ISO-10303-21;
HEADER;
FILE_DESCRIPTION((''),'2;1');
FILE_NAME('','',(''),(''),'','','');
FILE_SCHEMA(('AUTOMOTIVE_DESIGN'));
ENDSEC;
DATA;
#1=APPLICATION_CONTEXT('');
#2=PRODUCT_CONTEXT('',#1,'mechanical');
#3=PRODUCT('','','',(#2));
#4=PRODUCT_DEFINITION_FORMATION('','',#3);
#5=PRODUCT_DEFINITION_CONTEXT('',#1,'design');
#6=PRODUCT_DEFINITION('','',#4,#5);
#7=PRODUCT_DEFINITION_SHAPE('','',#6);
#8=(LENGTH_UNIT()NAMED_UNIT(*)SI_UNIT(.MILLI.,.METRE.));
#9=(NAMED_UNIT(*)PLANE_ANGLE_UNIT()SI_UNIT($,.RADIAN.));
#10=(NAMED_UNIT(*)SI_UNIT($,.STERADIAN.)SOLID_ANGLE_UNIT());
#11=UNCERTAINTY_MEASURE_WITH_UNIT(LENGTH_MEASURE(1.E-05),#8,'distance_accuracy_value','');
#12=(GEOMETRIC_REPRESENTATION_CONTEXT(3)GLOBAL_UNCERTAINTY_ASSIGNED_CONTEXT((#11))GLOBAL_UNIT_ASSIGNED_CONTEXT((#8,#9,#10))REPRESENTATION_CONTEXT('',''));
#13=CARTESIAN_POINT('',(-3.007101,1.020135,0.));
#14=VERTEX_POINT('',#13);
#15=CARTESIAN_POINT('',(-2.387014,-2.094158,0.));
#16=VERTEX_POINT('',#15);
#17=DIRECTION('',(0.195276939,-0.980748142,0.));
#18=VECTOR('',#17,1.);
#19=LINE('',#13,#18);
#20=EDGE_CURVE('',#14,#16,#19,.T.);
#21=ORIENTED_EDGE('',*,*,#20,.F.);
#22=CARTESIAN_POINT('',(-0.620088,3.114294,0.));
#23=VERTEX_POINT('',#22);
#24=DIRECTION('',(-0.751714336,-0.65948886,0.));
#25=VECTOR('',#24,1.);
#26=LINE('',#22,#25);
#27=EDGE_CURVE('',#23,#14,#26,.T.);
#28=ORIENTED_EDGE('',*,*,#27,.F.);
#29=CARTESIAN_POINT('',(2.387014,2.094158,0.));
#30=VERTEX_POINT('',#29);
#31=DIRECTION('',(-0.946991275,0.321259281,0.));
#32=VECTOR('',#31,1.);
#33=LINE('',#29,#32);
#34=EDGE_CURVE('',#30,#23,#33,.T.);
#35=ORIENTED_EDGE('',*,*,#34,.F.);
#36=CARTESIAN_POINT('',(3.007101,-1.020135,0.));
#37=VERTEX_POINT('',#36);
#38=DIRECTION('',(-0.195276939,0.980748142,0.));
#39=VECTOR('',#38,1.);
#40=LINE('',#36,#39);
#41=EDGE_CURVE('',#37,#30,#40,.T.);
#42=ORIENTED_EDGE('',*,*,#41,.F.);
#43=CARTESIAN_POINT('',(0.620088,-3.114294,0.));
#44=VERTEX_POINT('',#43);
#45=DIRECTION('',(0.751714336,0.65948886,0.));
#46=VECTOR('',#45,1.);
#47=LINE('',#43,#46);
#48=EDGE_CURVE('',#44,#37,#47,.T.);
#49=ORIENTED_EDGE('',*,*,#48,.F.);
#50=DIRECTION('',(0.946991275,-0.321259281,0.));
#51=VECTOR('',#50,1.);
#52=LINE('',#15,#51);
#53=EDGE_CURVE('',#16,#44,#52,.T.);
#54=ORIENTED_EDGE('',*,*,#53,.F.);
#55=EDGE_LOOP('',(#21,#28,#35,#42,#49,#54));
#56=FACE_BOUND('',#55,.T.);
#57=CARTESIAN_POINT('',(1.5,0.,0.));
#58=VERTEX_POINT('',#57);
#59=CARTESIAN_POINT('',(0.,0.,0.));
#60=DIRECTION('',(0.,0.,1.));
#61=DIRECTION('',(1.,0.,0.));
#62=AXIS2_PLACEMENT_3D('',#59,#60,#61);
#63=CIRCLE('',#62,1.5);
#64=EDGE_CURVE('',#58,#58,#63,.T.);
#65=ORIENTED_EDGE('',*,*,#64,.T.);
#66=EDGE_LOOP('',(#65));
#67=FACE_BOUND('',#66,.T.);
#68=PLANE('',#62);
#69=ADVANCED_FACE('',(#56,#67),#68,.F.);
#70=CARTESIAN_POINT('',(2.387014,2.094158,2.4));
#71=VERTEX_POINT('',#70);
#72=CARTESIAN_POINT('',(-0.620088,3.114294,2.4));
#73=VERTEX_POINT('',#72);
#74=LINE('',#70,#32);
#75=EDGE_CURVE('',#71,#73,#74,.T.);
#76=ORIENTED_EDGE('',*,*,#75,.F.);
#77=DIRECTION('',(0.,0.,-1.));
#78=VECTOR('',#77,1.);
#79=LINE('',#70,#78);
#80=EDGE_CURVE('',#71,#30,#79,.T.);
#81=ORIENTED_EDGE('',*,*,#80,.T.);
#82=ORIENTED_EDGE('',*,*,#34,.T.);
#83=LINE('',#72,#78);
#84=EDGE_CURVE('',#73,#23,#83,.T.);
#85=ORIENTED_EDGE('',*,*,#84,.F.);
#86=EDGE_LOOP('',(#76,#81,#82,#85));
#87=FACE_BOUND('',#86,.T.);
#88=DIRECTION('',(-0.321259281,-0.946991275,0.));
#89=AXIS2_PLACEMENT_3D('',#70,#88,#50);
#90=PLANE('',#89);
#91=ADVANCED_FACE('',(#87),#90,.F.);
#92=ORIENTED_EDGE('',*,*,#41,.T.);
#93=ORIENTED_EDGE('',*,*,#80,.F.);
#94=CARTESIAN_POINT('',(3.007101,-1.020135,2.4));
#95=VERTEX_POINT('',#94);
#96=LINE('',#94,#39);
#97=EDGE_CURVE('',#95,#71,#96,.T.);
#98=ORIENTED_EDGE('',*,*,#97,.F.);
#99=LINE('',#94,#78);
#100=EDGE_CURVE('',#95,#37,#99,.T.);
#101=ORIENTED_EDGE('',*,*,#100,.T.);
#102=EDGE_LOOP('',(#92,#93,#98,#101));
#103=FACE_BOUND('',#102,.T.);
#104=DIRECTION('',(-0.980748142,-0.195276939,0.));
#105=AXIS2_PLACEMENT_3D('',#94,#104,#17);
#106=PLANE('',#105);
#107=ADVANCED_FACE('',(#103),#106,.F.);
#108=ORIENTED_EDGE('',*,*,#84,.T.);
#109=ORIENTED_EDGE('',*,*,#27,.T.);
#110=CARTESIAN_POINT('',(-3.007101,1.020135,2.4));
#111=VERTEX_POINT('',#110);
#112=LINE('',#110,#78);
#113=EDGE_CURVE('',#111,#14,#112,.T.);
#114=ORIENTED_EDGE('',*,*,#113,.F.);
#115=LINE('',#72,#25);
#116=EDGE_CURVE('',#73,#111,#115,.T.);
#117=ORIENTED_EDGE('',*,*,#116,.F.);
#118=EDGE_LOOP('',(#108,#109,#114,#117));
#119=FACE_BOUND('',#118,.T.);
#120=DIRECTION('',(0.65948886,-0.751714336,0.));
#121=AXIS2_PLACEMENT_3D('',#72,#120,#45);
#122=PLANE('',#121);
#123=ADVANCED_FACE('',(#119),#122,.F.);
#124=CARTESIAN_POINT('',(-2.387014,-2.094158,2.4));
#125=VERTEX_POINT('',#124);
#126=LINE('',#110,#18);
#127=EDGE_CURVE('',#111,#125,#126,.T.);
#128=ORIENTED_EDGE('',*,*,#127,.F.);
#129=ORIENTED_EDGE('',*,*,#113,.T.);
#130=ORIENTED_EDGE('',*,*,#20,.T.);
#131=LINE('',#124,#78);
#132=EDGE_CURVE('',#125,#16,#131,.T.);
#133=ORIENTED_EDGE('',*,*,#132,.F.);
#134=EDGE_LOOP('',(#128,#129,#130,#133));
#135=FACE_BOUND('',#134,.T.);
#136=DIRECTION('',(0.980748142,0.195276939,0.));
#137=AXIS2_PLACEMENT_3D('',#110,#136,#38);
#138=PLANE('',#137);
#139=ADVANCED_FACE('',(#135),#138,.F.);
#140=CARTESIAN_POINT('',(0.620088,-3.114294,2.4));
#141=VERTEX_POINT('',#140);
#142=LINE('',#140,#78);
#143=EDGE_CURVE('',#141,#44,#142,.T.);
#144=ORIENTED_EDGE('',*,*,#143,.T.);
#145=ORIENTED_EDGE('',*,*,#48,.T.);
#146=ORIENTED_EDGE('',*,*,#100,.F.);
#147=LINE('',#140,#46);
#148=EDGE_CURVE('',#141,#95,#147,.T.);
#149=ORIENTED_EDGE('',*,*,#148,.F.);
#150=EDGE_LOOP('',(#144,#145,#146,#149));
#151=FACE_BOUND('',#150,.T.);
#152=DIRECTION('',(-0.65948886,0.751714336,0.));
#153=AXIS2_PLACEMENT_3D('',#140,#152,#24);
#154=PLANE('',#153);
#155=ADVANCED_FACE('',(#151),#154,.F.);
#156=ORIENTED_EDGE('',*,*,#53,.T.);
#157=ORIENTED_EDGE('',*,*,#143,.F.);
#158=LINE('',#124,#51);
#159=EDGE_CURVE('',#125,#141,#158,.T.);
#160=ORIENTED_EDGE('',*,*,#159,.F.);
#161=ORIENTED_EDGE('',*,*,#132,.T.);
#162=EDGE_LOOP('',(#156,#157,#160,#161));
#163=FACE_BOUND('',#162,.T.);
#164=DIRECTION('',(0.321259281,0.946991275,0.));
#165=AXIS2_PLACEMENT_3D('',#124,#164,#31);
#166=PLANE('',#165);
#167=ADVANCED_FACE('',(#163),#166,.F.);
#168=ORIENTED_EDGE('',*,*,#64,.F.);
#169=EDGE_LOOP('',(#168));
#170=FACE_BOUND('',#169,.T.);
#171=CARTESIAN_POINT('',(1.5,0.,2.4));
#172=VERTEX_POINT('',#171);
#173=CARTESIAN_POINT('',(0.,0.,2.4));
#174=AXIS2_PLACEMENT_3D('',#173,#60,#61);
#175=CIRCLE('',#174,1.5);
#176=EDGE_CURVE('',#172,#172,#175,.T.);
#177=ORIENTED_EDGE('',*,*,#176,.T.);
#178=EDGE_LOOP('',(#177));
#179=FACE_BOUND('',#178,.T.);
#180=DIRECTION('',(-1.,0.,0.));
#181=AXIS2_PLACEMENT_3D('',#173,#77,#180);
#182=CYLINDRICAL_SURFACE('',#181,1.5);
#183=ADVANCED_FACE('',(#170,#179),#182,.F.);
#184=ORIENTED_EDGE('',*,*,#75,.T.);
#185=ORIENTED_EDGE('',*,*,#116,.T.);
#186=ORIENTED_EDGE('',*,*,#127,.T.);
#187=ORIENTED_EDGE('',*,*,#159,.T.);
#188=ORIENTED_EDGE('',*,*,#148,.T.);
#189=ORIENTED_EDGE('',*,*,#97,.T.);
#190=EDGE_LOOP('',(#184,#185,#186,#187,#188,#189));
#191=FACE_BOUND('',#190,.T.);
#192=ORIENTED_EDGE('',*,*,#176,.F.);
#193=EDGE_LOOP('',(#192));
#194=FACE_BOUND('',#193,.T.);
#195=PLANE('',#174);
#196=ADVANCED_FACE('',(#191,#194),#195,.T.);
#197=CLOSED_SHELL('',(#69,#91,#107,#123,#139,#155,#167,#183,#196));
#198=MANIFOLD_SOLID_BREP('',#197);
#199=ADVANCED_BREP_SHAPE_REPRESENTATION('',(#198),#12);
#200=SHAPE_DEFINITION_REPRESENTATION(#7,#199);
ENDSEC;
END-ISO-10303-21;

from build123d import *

# Parameters (mm, degrees)
SKETCH_1_R      = 1.5
EXTRUDE_1_DEPTH = 2.4


with BuildPart() as part:
    # 草图1 → 凸台-拉伸1 (new body)
    with BuildSketch(Plane.XY):
        Polygon((3.00710117, -1.020135229), (2.387013609, 2.094158391), (-0.620087562, 3.11429362), (-3.00710117, 1.020135229), (-2.387013609, -2.094158391), (0.620087562, -3.11429362), align=None)
        Circle(SKETCH_1_R, mode=Mode.SUBTRACT)
    extrude(amount=EXTRUDE_1_DEPTH)


solid = part.part
